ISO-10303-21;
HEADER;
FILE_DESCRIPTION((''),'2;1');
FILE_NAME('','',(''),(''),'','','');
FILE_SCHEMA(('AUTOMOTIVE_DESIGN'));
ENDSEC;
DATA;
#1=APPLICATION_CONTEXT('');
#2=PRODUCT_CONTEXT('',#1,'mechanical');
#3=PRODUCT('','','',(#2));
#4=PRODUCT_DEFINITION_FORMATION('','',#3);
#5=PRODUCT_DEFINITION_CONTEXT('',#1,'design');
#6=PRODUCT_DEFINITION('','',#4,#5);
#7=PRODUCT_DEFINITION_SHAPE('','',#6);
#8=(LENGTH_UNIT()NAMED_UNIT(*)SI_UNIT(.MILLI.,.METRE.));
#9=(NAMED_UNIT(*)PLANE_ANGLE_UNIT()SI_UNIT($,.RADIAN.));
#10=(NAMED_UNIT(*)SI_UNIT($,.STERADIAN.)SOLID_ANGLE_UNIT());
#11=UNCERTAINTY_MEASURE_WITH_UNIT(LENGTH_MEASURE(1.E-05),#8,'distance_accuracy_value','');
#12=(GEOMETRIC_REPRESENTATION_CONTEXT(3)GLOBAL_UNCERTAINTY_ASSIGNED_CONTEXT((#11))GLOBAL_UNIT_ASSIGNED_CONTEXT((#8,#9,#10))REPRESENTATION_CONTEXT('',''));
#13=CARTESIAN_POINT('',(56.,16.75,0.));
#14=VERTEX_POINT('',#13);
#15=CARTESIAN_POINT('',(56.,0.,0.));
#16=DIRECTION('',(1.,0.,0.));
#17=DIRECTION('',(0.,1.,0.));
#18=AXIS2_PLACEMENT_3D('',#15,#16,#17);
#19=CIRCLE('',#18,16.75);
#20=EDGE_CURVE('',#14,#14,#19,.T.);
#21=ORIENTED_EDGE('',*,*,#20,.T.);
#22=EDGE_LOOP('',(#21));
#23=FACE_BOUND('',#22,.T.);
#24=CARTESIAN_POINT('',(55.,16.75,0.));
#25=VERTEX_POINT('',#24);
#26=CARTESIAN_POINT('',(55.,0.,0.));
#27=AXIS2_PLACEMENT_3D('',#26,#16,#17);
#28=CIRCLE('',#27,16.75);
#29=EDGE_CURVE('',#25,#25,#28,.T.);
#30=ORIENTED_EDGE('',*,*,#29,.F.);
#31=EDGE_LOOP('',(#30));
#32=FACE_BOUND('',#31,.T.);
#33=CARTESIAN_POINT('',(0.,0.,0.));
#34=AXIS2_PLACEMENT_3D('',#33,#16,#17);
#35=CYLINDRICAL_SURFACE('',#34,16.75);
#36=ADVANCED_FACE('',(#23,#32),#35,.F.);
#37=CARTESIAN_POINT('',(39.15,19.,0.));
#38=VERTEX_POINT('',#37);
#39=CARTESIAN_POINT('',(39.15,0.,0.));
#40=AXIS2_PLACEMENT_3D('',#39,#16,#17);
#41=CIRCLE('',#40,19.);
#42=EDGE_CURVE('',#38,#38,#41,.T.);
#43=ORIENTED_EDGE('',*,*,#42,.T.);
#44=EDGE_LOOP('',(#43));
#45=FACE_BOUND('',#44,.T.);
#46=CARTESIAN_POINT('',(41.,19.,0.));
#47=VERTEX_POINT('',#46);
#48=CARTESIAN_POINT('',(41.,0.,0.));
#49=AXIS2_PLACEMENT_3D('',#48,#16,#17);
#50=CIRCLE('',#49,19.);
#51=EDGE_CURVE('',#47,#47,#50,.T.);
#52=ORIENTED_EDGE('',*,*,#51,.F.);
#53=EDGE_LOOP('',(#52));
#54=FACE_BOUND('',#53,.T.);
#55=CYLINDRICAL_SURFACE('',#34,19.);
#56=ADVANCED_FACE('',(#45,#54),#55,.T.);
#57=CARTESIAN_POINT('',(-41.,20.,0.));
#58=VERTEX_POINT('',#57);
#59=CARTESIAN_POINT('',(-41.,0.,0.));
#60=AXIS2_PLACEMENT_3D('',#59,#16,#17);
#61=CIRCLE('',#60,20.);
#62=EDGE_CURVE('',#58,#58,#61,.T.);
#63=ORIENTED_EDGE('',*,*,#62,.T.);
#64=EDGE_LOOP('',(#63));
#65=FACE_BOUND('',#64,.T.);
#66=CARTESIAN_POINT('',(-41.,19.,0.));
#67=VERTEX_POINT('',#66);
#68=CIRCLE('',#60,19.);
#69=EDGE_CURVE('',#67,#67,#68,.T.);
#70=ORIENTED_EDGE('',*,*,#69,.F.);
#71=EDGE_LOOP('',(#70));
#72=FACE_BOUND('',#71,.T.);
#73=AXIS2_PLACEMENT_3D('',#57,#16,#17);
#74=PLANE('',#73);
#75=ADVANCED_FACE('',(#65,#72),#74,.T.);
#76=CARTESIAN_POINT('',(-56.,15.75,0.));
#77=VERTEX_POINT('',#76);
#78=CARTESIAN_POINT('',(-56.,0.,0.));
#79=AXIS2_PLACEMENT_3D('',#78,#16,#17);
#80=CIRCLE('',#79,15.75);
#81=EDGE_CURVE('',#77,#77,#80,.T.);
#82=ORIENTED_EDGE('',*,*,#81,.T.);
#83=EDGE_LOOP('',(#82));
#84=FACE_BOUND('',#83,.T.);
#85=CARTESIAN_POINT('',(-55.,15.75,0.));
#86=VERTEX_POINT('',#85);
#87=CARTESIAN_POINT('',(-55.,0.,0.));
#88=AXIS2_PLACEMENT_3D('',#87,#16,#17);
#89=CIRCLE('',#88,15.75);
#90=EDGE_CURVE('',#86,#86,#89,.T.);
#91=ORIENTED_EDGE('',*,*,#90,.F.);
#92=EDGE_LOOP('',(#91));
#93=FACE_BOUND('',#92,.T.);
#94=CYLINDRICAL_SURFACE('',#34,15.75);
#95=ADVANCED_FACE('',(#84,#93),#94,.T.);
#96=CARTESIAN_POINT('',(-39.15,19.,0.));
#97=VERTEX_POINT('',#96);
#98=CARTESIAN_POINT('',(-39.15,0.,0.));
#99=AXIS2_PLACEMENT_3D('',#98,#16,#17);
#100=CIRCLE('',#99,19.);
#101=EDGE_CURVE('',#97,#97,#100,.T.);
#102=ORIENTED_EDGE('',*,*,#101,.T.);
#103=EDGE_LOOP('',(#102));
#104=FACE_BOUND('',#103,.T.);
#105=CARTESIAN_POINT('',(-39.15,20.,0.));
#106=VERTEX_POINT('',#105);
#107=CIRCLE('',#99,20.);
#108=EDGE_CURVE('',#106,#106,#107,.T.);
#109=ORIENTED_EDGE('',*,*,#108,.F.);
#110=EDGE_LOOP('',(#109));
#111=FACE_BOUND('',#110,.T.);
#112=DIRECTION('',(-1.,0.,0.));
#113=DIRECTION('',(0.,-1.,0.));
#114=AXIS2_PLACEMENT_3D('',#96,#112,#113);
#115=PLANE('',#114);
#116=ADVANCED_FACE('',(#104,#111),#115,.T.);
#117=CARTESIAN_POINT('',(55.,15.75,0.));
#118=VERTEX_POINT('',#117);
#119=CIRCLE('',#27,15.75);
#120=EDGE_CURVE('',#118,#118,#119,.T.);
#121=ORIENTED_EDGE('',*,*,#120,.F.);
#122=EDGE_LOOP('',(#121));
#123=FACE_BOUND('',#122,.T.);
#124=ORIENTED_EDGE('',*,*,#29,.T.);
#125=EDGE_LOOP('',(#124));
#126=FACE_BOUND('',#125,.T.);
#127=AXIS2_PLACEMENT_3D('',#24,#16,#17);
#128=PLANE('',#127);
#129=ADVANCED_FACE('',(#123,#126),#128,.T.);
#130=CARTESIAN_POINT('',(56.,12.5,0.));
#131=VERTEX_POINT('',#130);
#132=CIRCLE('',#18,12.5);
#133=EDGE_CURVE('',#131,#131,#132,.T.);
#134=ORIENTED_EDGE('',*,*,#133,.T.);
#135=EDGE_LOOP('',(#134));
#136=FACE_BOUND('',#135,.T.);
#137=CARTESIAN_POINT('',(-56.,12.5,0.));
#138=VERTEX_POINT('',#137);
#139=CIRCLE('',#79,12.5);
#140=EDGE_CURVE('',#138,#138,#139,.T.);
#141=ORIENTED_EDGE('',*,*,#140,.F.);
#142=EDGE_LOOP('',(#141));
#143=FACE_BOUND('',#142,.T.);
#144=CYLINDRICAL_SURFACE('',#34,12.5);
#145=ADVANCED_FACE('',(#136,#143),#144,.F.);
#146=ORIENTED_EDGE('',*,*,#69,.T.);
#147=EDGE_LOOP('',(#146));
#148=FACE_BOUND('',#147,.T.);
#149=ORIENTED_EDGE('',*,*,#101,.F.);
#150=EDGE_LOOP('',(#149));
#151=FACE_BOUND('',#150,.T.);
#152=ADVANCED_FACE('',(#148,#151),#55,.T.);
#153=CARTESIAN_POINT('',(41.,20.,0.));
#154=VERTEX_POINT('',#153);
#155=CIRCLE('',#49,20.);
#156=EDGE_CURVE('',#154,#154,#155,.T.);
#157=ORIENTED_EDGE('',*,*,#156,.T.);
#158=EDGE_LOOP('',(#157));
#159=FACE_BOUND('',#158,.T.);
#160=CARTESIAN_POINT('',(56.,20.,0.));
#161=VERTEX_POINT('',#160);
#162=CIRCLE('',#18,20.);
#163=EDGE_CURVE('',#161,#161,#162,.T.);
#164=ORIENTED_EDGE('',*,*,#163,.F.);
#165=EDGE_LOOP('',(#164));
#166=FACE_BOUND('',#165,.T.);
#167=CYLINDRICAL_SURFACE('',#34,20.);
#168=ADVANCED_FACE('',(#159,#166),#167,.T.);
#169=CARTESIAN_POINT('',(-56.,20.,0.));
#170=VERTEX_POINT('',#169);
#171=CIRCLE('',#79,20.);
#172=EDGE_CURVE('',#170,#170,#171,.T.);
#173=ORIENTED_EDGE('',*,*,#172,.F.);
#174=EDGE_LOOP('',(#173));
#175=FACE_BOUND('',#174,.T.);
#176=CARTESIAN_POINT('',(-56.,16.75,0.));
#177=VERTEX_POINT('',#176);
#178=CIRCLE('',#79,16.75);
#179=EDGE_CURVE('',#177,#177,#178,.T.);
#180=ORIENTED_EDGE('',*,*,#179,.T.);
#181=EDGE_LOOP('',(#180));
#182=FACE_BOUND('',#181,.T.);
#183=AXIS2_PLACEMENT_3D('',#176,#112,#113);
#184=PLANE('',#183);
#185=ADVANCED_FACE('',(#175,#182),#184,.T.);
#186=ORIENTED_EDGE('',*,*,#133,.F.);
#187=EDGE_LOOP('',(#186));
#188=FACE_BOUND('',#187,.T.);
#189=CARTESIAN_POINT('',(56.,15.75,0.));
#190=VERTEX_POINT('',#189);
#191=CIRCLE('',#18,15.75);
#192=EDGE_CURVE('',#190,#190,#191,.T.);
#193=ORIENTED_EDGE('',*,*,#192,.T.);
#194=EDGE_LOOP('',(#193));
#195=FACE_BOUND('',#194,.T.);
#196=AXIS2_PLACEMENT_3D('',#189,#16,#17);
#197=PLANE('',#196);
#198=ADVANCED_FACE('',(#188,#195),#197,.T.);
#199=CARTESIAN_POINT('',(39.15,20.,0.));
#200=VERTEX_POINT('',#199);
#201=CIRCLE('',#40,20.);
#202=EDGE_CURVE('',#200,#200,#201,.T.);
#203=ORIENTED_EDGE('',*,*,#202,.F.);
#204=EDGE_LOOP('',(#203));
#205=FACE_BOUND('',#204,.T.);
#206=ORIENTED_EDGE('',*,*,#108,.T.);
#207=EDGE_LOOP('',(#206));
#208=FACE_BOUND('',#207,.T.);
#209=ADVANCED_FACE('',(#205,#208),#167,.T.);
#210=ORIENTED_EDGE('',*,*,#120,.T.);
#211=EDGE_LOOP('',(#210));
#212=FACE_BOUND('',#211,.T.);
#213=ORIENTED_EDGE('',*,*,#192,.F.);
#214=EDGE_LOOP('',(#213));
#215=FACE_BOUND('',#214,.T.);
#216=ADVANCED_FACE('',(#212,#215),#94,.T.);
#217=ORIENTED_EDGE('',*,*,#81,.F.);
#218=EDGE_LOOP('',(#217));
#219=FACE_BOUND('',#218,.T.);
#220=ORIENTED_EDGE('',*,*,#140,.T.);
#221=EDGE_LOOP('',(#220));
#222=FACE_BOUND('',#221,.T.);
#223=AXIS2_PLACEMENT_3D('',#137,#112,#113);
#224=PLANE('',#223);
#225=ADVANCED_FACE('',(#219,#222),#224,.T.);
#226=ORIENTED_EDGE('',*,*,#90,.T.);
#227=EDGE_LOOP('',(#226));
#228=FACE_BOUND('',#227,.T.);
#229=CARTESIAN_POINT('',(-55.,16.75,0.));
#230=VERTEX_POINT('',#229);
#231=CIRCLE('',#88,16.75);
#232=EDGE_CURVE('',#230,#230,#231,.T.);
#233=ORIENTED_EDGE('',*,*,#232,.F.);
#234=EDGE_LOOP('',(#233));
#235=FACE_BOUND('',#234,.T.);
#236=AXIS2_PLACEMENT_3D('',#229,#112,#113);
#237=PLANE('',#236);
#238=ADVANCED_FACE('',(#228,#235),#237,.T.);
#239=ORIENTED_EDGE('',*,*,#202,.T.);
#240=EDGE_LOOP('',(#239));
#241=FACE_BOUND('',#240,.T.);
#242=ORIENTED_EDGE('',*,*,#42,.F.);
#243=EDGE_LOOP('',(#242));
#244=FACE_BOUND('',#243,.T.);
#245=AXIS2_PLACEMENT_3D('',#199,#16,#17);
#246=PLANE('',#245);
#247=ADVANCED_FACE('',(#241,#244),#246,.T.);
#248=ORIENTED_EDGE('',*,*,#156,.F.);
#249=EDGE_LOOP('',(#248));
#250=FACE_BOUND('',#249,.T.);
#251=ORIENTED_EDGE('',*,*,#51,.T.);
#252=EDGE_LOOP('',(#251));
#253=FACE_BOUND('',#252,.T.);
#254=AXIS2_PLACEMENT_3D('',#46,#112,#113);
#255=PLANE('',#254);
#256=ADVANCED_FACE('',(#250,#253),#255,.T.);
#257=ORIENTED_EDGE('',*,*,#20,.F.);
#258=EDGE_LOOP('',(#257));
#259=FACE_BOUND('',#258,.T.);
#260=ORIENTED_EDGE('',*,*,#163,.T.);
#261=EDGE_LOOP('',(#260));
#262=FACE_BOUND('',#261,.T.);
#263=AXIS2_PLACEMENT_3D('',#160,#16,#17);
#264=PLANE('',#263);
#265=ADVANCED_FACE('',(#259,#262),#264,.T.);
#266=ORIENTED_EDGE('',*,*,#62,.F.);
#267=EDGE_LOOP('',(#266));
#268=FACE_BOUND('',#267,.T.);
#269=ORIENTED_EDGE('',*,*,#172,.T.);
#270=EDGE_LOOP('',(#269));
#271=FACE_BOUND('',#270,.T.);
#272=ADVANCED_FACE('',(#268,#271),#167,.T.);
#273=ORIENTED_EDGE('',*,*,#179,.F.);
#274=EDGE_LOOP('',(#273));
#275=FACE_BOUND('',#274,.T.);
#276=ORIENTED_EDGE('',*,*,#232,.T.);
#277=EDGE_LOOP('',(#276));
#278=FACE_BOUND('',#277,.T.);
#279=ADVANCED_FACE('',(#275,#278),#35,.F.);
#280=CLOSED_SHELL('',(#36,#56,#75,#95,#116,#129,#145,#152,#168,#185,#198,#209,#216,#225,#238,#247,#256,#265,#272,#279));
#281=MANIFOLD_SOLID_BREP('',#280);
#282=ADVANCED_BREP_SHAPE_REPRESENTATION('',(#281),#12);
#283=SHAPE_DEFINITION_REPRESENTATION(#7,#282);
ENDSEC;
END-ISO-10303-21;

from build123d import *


with BuildPart() as part:
    # Esboço1 → Revolução1 (revolve)
    with BuildSketch(Plane.XY):
        Polygon((-56, 20), (-41, 20), (-41, 19), (-39.15, 19), (-39.15, 20), (39.15, 20), (39.15, 19), (41, 19), (41, 20), (56, 20), (56, 16.75), (55, 16.75), (55, 15.75), (56, 15.75), (56, 12.5), (-56, 12.5), (-56, 15.75), (-55, 15.75), (-55, 16.75), (-56, 16.75), align=None)
    revolve(axis=Axis((0, 0, 0), (-1, 0, 0)))


solid = part.part
